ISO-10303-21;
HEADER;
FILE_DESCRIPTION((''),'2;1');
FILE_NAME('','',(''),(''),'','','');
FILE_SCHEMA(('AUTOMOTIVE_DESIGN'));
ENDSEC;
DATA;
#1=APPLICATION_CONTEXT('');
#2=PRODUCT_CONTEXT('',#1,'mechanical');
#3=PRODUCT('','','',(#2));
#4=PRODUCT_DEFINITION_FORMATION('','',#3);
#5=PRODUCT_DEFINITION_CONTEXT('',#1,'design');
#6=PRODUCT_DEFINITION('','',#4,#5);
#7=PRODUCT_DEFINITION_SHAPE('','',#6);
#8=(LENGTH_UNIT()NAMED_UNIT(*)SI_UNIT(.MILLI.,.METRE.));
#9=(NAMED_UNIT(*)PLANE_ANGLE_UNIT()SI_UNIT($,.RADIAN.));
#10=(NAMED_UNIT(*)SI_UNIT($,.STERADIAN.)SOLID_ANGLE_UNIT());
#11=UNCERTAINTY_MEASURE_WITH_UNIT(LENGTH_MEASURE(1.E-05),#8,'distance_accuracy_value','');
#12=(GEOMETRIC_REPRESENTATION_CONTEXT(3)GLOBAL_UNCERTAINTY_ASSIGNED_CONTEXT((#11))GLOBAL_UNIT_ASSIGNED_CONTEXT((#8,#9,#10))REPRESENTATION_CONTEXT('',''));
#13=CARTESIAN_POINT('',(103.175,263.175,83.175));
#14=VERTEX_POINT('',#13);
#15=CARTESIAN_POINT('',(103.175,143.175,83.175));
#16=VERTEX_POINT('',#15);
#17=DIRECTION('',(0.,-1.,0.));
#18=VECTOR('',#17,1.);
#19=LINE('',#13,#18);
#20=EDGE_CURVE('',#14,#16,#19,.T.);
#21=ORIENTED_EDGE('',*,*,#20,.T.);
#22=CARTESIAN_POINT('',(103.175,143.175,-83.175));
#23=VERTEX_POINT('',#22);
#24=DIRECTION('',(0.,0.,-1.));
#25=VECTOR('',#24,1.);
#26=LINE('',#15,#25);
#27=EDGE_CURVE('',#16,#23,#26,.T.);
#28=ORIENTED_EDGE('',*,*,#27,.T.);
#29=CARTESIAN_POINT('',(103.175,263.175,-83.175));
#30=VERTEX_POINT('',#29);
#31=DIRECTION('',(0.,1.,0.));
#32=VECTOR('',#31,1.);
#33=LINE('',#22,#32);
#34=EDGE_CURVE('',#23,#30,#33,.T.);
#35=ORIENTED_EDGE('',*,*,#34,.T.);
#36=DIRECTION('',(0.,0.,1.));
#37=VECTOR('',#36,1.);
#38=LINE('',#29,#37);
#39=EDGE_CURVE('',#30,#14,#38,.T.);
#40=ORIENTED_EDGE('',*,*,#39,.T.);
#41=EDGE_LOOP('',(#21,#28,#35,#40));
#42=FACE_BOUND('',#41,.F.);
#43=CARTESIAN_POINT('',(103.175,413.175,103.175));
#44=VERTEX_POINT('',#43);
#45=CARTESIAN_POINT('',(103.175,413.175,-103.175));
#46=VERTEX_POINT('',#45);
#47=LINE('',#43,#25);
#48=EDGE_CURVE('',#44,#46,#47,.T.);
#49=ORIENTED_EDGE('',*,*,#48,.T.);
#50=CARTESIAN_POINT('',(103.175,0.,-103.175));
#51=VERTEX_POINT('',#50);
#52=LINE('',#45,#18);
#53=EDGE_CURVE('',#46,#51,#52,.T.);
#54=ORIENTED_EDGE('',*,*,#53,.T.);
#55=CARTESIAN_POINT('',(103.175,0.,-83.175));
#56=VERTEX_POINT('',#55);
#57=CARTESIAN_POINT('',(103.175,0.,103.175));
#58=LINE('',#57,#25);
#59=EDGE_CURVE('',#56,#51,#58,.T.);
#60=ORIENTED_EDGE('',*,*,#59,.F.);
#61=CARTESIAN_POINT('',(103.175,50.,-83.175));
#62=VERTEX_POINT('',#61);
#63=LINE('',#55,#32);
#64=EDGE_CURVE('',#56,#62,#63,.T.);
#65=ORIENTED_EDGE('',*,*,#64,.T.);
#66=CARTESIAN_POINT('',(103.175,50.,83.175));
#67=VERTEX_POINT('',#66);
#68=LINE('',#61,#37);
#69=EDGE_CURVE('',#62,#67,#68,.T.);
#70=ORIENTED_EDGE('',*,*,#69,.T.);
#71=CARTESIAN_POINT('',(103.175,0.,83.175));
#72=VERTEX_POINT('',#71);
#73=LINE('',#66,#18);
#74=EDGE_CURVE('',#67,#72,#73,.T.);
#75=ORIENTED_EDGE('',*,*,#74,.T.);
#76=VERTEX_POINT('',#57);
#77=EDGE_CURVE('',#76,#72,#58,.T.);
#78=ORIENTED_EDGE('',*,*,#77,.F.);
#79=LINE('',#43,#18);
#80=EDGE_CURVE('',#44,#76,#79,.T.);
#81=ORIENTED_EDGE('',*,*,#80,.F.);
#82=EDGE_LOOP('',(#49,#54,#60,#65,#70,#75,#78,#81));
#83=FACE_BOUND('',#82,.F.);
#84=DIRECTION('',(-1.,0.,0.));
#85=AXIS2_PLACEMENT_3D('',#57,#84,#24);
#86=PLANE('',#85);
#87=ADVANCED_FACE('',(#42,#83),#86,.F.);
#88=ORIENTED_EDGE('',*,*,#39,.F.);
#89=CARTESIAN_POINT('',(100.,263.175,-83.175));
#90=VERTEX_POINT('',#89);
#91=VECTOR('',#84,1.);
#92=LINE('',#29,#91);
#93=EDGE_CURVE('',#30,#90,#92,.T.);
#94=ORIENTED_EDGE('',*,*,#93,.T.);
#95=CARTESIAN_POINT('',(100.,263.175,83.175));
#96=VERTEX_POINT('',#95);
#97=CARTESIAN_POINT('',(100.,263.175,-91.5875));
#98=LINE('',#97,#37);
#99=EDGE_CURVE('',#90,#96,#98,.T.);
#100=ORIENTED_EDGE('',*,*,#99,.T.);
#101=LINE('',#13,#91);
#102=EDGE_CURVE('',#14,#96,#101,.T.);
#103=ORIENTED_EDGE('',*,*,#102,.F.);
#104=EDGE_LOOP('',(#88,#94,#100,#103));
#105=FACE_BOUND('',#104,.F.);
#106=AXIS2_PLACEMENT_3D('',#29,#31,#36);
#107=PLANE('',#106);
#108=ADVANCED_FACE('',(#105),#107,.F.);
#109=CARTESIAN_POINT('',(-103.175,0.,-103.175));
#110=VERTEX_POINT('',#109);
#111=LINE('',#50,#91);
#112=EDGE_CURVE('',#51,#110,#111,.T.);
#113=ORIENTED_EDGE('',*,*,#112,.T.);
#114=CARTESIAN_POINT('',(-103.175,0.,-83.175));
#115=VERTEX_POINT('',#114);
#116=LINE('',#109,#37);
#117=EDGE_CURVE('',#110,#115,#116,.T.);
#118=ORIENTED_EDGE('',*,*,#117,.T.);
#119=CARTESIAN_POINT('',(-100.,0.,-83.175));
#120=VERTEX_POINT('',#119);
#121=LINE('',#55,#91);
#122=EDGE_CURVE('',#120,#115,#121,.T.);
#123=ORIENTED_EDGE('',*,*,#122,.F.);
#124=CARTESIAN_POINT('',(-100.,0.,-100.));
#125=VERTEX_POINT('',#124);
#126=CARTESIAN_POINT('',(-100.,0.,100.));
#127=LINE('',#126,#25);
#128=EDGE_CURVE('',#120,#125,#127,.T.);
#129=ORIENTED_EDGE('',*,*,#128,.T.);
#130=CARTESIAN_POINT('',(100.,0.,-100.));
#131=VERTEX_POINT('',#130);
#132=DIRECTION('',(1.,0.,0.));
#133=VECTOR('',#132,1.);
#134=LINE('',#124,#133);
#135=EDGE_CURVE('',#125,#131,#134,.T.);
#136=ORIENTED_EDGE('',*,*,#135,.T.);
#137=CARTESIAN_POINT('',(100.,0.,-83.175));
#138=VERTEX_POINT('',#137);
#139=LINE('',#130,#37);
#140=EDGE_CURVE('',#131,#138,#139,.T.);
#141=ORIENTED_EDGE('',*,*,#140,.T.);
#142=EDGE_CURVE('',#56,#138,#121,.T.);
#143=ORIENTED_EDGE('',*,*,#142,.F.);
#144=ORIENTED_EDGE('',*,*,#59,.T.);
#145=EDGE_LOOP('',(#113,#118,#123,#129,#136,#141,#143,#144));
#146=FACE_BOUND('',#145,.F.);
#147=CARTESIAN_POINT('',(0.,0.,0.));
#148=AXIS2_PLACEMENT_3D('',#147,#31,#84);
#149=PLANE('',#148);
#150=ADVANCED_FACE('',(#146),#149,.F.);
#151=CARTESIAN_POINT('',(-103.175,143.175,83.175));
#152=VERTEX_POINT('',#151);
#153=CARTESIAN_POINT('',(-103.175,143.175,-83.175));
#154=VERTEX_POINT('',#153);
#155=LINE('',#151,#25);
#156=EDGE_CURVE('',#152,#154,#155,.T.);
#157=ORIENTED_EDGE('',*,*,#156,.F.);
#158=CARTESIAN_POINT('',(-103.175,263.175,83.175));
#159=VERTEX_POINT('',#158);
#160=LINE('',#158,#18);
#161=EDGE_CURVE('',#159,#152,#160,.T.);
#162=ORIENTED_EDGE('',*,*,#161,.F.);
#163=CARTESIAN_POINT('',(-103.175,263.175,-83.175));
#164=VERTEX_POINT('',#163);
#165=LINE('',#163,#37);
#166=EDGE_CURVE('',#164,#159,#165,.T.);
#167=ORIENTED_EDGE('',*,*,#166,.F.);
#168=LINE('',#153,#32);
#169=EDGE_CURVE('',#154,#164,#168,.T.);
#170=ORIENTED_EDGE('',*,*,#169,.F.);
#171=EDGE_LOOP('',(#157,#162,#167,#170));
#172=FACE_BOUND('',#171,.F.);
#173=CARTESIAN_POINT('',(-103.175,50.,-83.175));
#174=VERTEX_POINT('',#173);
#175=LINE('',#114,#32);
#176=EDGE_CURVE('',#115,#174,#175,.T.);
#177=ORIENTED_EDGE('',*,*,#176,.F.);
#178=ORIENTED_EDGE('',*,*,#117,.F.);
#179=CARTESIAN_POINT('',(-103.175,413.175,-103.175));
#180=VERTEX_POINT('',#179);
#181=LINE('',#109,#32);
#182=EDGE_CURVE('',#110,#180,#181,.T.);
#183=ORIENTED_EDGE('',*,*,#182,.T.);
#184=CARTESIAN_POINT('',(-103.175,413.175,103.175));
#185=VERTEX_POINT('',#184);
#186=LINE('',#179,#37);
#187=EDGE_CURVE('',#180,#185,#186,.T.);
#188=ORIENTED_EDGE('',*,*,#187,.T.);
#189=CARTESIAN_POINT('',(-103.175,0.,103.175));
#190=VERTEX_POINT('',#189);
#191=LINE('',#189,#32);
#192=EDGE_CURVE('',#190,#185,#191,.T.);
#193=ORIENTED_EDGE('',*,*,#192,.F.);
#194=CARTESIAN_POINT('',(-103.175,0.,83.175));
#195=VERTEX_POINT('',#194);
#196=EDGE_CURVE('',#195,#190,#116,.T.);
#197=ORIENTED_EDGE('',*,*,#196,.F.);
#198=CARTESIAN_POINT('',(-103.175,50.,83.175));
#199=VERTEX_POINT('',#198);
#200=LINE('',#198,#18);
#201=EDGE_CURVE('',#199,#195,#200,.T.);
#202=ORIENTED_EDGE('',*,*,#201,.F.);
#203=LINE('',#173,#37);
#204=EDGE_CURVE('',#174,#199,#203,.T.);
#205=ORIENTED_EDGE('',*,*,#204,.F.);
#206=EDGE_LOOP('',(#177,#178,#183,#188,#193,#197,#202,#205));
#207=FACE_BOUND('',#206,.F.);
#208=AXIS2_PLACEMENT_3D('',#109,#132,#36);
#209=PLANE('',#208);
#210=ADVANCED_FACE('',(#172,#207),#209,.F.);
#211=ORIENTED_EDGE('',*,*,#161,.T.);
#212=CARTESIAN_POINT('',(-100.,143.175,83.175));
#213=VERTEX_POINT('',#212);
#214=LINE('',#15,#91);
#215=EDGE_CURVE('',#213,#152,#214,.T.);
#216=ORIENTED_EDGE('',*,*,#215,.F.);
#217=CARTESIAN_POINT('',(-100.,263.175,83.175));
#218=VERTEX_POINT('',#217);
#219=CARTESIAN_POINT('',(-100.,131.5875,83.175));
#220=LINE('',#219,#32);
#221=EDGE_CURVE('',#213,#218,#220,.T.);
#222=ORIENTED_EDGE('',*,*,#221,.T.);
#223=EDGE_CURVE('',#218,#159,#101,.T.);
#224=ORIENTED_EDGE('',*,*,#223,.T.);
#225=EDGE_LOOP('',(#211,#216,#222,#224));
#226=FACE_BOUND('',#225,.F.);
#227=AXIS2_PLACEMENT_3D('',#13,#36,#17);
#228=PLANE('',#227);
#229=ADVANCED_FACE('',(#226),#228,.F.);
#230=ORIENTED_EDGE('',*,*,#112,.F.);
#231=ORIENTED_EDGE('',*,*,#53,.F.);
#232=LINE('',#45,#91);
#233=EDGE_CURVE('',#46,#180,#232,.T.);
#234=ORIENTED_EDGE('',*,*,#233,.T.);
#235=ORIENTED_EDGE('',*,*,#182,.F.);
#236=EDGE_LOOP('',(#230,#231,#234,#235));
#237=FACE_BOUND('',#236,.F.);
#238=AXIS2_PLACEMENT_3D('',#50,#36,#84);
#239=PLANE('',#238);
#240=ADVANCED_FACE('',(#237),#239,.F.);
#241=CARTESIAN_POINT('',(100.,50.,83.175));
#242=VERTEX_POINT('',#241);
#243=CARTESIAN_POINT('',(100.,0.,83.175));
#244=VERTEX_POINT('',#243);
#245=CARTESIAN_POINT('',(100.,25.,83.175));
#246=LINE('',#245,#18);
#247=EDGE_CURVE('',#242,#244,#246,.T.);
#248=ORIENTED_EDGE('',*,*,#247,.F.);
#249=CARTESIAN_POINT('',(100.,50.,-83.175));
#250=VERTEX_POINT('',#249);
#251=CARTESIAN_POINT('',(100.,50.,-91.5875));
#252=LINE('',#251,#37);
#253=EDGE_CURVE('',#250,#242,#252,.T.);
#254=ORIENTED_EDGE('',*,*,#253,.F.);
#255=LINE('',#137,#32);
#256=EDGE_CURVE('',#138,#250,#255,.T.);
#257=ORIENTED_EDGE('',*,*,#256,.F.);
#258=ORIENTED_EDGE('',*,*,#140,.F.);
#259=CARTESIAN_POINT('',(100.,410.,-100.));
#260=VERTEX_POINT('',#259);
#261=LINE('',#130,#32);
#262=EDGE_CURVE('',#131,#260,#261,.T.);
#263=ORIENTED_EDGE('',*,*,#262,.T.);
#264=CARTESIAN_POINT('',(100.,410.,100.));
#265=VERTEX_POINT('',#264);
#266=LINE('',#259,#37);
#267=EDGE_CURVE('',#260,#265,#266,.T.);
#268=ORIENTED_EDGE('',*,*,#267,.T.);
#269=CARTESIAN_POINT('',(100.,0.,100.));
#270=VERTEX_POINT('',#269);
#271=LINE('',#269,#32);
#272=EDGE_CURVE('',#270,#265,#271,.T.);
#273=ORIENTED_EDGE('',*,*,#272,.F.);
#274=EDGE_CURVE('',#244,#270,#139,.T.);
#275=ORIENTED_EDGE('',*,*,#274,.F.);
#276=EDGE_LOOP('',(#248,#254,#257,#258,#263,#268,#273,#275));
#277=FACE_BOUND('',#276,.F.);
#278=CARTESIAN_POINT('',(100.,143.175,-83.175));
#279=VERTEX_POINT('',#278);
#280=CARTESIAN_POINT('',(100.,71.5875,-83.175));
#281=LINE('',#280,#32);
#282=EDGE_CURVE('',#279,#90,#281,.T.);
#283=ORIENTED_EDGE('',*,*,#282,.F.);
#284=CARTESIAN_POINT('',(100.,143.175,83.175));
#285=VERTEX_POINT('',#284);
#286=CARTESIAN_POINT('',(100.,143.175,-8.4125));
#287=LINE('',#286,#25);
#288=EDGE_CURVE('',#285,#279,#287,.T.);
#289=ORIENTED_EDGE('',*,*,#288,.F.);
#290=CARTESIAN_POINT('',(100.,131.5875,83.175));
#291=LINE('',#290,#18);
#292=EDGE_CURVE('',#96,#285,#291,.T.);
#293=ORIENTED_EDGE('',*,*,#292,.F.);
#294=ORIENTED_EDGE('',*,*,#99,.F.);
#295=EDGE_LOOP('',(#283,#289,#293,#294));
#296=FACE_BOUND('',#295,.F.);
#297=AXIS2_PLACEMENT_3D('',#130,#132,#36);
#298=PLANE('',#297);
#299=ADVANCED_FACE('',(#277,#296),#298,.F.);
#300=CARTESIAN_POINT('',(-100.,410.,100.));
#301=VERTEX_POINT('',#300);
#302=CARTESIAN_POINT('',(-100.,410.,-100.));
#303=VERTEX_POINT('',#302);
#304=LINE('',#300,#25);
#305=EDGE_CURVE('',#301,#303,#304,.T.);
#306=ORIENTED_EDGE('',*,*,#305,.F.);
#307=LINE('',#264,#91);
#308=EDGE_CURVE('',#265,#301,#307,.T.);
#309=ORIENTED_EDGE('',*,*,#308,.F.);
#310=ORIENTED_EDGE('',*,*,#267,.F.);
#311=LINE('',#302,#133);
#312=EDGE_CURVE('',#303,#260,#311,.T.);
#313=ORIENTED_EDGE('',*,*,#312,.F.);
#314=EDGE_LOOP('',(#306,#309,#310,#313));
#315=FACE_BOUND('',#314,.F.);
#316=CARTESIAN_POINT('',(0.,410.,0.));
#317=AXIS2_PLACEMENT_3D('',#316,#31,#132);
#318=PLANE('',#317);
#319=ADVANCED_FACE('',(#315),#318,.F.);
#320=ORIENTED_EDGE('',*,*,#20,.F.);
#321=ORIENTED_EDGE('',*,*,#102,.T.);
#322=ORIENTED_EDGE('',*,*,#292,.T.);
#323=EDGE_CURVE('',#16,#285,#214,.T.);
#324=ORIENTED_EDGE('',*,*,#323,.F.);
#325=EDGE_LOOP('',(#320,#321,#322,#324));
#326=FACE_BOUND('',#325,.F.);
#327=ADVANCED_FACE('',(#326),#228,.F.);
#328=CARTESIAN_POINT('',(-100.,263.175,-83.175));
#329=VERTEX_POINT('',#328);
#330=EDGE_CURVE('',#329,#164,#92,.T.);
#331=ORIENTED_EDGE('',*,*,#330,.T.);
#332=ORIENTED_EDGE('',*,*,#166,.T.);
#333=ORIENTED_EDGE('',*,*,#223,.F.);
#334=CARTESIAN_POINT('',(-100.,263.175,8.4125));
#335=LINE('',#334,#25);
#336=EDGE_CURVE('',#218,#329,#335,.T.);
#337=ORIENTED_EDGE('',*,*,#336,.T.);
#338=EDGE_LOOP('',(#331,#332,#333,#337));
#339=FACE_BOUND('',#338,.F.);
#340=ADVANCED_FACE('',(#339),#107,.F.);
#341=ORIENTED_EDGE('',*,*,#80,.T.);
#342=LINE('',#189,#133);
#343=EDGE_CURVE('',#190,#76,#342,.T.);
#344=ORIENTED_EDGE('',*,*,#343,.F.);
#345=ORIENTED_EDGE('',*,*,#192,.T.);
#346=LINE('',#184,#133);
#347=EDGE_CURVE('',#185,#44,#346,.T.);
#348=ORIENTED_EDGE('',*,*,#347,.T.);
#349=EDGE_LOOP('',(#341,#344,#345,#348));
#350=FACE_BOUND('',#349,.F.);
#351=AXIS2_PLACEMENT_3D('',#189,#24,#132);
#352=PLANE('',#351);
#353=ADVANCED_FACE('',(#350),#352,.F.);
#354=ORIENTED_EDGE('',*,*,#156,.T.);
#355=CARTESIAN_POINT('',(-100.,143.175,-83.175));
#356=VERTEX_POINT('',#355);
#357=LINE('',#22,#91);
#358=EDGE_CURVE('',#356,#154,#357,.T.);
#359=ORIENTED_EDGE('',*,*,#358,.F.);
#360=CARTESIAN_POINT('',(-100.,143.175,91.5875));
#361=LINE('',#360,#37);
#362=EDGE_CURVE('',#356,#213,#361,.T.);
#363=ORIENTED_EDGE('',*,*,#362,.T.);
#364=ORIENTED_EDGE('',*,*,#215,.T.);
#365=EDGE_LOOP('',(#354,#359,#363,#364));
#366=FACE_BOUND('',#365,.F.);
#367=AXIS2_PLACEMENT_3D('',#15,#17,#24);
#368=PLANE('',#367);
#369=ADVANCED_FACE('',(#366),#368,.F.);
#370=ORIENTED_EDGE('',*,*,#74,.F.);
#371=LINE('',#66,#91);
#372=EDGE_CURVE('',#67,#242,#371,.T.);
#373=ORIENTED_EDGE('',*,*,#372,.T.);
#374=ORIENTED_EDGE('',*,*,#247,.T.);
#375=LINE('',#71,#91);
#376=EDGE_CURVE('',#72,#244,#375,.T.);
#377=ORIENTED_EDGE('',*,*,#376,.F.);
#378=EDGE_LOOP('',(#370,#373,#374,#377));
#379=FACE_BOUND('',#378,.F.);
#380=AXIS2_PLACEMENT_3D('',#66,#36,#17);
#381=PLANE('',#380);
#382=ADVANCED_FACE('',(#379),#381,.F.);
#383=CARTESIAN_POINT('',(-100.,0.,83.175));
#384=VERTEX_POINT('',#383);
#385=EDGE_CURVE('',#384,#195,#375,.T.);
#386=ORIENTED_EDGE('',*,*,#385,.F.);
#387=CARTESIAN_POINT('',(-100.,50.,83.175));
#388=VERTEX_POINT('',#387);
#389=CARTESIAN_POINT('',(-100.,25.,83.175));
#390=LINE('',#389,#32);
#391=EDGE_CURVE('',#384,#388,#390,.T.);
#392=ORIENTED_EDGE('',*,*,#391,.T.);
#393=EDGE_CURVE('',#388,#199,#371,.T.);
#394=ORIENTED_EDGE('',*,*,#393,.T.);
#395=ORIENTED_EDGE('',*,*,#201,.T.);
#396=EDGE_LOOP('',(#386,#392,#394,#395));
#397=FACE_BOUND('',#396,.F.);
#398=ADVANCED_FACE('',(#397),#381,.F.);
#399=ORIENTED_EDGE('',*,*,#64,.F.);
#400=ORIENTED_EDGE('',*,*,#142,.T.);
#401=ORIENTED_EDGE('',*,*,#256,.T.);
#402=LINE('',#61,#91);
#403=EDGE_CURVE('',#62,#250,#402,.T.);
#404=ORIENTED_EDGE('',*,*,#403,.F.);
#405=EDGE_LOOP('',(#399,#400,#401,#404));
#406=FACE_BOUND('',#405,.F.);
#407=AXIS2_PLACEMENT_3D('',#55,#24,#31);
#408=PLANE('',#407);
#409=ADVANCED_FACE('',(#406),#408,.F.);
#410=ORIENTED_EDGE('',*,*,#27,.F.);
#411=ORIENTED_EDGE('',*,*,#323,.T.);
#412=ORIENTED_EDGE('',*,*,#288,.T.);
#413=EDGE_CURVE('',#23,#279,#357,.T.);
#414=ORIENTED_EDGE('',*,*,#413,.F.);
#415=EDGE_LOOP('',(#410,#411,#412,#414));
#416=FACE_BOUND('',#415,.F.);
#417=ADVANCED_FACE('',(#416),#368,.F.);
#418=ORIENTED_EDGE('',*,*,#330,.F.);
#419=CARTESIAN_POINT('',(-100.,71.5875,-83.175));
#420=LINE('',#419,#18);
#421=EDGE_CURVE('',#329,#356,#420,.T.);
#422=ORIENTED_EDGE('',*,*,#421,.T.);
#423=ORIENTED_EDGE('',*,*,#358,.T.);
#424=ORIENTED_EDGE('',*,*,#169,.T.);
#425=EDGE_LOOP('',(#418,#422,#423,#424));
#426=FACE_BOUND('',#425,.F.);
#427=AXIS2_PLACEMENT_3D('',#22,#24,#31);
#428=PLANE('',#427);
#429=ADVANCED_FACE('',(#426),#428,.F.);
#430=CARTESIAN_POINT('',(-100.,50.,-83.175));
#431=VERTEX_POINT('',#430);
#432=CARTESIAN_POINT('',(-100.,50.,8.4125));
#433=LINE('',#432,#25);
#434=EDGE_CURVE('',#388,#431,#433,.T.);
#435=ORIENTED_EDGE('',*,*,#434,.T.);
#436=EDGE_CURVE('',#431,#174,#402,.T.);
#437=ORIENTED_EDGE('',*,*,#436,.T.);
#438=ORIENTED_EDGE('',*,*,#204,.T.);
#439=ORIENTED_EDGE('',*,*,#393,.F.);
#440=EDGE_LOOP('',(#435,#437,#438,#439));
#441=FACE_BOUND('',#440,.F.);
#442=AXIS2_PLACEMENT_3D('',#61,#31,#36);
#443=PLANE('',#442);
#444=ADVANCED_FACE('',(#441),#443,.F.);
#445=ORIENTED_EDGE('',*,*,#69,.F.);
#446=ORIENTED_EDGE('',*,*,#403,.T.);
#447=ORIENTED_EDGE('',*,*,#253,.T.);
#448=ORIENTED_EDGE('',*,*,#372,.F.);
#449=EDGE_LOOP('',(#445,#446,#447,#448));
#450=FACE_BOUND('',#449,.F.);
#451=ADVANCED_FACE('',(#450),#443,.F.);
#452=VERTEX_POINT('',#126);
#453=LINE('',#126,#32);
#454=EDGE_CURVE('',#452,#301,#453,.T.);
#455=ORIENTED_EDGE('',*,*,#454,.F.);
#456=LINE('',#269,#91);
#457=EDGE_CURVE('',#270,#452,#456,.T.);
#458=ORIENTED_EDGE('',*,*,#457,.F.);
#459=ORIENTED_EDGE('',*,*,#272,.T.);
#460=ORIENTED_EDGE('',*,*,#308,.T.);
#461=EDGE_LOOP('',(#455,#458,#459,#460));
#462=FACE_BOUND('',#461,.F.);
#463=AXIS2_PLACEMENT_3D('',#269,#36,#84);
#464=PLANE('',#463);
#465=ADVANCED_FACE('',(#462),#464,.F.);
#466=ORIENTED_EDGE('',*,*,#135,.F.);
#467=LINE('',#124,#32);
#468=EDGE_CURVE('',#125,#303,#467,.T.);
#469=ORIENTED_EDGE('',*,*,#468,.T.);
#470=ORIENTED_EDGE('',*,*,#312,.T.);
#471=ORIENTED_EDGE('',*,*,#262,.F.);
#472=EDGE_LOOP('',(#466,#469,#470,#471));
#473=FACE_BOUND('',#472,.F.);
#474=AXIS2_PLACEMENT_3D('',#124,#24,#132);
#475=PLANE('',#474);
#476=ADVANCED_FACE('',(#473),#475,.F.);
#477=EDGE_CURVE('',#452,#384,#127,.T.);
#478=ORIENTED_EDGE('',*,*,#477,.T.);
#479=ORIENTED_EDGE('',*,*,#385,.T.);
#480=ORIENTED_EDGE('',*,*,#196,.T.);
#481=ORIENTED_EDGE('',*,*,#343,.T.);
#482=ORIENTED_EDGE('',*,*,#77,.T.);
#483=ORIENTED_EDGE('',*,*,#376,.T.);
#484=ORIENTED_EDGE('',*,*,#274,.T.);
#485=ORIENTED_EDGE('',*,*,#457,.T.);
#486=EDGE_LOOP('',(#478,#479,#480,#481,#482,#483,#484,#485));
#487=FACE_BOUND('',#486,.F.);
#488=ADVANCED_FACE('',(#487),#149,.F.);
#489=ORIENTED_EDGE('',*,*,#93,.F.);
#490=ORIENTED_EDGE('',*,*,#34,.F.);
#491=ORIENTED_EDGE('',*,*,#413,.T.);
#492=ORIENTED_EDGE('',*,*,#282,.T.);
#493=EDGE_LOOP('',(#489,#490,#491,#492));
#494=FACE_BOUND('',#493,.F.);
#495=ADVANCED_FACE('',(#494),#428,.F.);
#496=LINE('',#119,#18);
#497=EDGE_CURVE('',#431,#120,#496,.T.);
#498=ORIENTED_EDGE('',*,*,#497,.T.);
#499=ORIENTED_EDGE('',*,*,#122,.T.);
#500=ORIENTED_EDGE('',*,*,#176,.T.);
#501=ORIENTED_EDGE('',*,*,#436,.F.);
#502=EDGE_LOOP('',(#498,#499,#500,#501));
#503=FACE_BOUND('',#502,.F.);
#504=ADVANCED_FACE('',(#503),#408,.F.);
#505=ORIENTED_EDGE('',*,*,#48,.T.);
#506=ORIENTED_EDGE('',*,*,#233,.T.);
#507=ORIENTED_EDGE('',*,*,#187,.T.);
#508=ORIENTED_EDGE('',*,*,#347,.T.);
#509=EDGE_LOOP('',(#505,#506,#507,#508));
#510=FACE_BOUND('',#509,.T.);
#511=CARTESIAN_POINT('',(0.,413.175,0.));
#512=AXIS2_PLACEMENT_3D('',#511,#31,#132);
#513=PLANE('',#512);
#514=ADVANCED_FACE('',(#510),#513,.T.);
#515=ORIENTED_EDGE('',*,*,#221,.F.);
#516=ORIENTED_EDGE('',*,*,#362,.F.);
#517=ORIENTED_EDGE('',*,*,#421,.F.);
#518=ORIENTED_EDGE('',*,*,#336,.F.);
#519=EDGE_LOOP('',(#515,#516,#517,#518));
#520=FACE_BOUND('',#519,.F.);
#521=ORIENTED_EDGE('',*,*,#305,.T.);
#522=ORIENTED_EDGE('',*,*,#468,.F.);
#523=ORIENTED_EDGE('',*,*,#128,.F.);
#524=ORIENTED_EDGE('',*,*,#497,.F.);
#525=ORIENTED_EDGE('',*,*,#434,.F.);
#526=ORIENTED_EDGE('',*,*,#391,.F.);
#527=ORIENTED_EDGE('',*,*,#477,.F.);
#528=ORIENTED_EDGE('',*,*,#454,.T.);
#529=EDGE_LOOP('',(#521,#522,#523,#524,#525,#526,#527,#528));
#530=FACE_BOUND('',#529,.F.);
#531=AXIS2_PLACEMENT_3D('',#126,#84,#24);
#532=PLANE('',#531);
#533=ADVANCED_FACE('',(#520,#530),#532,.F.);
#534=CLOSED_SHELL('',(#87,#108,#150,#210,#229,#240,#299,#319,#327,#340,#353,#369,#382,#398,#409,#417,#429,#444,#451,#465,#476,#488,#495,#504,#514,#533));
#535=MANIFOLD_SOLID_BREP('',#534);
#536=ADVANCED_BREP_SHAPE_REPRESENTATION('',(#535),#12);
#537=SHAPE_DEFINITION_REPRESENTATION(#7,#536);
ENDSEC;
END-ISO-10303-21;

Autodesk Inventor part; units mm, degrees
ref_plane "YZ Plane" through (0, 0, 0) normal (1, 0, 0) x (0, 1, 0)
ref_plane "XZ Plane" through (0, 0, 0) normal (0, 1, 0) x (-1, 0, 0)
ref_plane "XY Plane" through (0, 0, 0) normal (0, 0, 1) x (1, 0, 0)
sketch "Sketch1" plane through (0, 0, 0) normal (0, 1, 0) x (-1, 0, 0)
  line L0 (-100, 100) -> (100, 100)
  line L1 (100, 100) -> (100, -100)
  line L2 (100, -100) -> (-100, -100)
  line L3 (-100, -100) -> (-100, 100)
  line L4 (-100, 100) -> (100, -100) construction
  line L5 (100, 100) -> (-100, -100) construction
  line L6 (103.175, -103.175) -> (103.175, 103.175)
  line L7 (103.175, 103.175) -> (-103.175, 103.175)
  line L8 (-103.175, 103.175) -> (-103.175, -103.175)
  line L9 (-103.175, -103.175) -> (103.175, -103.175)
  point P0 (0, 0)
  dimension "d0" = 200
  dimension "d1" = 3.175
extrude "Extrusion1" add sketch "Sketch1" along normal blind 410
sketch "Sketch2" plane through (0, 410, 0) normal (0, 1, 0) x (1, 0, 0)
  line L0 (-100, -100) -> (-100, 100) projected
  line L1 (-100, 100) -> (100, 100) projected
  line L2 (100, 100) -> (100, -100) projected
  line L3 (100, -100) -> (-100, -100) projected
  line L4 (-103.175, 103.175) -> (-103.175, -103.175) projected
  line L5 (-103.175, -103.175) -> (103.175, -103.175) projected
  line L6 (103.175, -103.175) -> (103.175, 103.175) projected
  line L7 (103.175, 103.175) -> (-103.175, 103.175) projected
  point P0 (0, 0)
extrude "Extrusion2" add sketch "Sketch2" along normal blind 3.175 contours L0 L1 L2 L3 | L7 L6 L5 L4
sketch "Sketch3" plane through (103.175, 0, 103.175) normal (1, 0, 0) x (0, 0, -1)
  line L0 (0, 0) -> (206.35, 0) projected
  line L1 (206.35, 0) -> (206.35, 413.175) projected
  line L2 (0, 413.175) -> (206.35, 413.175) projected
  line L3 (0, 0) -> (0, 413.175) projected
  line L4 (206.35, 0) -> (0, 0) projected
  line L5 (186.35, 0) -> (186.35, 50)
  line L6 (186.35, 50) -> (20, 50)
  line L7 (20, 50) -> (20, 0)
  line L8 (20, 263.175) -> (20, 143.175)
  line L9 (20, 143.175) -> (186.35, 143.175)
  line L10 (186.35, 143.175) -> (186.35, 263.175)
  line L11 (186.35, 263.175) -> (20, 263.175)
  point P0 (103.175, 0)
  dimension "d6" = 50
  dimension "d7" = 20
  dimension "d8" = 20
  dimension "d9" = 150
  dimension "d12" = 120
extrude "Extrusion3" cut sketch "Sketch3" against normal up to surface (206.35 mm away) contours L7 L6 L5 L0 | L11 L10 L9 L8
properties part number "Cover"
